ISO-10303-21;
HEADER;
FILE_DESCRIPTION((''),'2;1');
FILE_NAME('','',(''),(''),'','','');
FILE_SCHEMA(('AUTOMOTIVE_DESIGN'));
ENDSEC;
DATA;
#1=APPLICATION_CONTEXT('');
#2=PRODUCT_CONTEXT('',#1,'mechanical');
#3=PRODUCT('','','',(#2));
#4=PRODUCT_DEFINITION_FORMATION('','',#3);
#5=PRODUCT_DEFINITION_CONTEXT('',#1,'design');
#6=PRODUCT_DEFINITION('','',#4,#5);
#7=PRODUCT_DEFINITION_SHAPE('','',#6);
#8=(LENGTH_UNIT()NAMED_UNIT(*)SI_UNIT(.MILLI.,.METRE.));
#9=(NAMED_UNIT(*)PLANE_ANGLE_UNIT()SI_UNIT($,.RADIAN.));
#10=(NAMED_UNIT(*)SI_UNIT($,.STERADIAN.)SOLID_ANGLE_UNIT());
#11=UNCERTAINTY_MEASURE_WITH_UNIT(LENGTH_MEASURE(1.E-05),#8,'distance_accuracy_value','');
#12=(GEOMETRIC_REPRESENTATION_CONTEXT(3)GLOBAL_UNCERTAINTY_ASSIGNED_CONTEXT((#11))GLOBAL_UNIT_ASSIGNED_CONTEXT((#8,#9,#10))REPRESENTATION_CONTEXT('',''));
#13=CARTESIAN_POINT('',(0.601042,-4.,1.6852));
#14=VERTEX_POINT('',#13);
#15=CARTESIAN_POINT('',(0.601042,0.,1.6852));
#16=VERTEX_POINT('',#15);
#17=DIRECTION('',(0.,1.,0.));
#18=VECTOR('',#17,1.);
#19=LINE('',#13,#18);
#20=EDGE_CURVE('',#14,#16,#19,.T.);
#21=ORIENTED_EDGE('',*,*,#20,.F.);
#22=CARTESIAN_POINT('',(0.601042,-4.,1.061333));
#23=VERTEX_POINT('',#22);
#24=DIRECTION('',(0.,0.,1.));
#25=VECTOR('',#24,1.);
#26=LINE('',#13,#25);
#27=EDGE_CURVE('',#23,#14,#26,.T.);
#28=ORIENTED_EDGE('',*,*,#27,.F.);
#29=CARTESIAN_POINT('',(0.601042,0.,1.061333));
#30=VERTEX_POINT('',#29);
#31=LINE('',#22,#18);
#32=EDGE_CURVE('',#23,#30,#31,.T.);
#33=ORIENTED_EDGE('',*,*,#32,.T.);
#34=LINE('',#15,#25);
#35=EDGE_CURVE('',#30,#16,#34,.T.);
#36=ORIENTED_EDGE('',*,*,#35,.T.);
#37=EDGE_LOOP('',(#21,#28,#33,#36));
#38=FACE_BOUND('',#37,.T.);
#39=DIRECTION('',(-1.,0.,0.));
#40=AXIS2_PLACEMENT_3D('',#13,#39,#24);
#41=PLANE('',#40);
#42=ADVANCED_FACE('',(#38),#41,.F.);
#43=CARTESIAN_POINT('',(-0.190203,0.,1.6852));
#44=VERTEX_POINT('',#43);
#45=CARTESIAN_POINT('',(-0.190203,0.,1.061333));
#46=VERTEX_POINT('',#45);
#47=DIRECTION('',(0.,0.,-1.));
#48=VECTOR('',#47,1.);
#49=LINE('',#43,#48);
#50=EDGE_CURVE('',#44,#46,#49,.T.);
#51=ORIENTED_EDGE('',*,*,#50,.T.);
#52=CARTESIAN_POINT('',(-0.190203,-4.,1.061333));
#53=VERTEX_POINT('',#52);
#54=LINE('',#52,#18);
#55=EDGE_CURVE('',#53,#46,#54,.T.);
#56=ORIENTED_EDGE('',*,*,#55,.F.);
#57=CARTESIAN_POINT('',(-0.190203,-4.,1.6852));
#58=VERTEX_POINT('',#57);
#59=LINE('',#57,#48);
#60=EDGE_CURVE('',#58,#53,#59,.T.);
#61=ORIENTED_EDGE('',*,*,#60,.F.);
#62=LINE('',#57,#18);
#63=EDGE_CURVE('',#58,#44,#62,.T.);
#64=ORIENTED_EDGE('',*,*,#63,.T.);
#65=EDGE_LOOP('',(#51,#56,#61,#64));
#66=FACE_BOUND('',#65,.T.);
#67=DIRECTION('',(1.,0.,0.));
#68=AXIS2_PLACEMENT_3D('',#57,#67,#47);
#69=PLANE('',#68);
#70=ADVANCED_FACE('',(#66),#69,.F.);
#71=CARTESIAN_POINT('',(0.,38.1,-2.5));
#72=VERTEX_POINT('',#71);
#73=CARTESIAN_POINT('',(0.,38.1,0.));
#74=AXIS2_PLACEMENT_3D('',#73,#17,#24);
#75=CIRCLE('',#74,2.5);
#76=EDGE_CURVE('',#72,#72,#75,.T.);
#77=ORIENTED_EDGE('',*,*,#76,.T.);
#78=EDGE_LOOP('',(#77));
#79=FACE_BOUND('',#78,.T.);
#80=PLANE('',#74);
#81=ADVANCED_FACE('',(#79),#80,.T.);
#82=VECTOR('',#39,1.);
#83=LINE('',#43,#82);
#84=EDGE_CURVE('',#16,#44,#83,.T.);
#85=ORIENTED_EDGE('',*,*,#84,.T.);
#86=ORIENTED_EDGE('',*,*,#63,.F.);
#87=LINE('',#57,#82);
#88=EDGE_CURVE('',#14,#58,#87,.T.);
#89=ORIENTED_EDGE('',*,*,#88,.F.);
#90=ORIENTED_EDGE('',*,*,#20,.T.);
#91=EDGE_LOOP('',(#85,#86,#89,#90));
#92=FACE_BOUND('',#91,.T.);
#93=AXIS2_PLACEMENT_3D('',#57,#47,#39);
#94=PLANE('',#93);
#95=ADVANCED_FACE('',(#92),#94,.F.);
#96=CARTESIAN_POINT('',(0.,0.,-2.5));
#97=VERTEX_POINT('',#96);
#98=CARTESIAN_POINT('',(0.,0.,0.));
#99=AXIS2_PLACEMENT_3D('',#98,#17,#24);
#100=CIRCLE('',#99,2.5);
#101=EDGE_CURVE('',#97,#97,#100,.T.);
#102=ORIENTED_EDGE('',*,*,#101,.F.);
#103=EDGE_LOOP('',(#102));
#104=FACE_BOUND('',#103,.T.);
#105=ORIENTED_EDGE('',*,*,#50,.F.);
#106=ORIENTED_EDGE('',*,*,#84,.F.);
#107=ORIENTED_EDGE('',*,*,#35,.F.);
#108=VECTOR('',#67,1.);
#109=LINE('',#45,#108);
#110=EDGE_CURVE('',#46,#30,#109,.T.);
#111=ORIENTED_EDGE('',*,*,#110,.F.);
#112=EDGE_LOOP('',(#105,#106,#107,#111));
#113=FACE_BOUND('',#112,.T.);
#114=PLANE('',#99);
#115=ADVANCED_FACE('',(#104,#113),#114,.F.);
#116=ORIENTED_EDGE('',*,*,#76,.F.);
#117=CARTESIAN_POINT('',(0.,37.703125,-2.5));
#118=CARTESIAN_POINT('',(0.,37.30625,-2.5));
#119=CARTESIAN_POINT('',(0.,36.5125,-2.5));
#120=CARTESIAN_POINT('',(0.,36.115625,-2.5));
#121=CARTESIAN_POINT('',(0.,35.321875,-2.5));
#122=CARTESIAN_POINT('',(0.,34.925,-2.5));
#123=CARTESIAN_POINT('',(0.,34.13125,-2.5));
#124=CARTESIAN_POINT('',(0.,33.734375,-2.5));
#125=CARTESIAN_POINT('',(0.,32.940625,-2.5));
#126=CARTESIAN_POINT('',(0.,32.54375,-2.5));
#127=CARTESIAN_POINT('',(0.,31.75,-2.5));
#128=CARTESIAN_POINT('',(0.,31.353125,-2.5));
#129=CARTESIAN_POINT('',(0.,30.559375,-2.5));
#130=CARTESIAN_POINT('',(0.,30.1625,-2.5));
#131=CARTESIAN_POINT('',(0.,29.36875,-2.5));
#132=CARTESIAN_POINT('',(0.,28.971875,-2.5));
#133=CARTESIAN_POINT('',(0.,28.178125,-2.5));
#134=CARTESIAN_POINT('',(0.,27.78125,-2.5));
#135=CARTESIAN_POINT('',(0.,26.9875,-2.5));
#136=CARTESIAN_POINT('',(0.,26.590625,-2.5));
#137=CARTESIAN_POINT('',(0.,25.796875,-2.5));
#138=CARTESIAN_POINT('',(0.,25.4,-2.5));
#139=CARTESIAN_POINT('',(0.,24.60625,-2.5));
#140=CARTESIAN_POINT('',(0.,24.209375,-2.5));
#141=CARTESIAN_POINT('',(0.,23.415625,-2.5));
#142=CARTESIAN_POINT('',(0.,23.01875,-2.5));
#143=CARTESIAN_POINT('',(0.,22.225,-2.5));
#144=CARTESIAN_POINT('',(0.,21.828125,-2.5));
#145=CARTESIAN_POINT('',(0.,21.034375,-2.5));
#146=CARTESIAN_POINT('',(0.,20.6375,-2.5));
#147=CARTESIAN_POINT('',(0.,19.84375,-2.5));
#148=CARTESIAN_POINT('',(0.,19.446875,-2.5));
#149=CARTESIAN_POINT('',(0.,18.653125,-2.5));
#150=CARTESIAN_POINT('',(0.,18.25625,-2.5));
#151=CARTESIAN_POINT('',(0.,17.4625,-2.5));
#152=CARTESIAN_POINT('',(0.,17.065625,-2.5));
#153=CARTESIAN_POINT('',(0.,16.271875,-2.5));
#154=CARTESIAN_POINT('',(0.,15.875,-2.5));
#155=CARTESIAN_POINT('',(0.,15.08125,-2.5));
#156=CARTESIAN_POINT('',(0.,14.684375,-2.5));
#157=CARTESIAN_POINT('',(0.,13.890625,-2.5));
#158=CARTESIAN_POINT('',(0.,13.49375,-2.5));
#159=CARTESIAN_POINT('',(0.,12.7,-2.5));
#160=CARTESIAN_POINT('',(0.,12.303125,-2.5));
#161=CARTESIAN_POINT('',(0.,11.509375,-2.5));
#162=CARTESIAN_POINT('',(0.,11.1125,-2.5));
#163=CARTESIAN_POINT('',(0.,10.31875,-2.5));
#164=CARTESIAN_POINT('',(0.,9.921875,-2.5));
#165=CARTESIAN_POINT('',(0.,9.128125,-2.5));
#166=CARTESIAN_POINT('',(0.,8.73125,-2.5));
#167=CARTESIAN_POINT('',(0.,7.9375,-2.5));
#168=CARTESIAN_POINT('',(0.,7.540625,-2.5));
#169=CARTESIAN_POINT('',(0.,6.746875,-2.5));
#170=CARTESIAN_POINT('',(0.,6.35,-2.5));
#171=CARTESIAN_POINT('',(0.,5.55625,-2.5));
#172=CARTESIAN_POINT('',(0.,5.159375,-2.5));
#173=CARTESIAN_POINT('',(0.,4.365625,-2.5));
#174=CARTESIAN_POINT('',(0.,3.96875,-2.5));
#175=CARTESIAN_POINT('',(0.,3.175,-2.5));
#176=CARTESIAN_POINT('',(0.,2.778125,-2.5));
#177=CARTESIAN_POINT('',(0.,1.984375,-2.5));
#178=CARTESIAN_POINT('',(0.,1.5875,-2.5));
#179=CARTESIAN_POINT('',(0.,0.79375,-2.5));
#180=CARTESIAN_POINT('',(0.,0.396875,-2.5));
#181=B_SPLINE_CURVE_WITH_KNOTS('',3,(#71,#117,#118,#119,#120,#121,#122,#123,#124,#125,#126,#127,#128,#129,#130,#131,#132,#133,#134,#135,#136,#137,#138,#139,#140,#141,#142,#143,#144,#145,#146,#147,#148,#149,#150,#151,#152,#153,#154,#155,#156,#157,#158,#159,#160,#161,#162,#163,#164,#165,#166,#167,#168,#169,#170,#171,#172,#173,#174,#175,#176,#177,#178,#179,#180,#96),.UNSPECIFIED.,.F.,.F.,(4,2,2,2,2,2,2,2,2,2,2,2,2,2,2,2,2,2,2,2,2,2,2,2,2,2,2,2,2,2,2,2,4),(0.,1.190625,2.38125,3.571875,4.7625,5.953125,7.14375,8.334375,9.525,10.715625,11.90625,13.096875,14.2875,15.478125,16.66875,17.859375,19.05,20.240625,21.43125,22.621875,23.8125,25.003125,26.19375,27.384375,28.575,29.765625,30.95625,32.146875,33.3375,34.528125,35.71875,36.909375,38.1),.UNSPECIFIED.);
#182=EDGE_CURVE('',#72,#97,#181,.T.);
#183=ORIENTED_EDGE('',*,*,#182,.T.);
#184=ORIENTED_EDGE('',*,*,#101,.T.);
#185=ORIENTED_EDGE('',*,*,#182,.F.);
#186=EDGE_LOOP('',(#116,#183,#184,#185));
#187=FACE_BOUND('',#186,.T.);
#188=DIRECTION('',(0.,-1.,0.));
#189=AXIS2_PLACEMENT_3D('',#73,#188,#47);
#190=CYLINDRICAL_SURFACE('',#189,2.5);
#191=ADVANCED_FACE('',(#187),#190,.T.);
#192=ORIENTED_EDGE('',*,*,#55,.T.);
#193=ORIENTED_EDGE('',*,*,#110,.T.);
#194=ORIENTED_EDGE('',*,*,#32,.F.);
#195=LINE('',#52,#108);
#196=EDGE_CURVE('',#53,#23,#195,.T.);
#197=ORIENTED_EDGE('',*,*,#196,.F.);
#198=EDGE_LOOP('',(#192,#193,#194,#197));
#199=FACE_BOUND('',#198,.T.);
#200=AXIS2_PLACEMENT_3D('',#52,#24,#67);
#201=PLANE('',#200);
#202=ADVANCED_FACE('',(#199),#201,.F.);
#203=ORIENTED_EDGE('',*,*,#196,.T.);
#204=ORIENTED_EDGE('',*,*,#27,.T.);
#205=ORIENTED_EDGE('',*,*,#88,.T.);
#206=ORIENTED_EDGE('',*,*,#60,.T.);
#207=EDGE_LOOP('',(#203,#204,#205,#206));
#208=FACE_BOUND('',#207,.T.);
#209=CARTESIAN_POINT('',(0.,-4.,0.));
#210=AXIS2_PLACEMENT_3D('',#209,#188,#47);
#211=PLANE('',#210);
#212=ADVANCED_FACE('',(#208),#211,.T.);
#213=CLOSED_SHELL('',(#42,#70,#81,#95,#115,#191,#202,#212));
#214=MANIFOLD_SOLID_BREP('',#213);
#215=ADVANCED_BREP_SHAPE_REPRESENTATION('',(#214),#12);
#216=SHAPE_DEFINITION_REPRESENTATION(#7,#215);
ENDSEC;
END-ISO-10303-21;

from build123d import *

# Parameters (mm, degrees)
SKETCH2_R           = 2.5
BOSS_EXTRUDE1_DEPTH = 38.1
SKETCH4_W           = 0.791244951
SKETCH4_H           = 0.623866212
BOSS_EXTRUDE3_DEPTH = 4


with BuildPart() as part:
    # Sketch2 → Boss-Extrude1 (new body)
    with BuildSketch(Plane(origin=(0, 0, 0), x_dir=(1, 0, 0), z_dir=(0, 1, 0))):
        Circle(SKETCH2_R)
    extrude(amount=BOSS_EXTRUDE1_DEPTH)

    # Sketch4 → Boss-Extrude3 (add)
    with BuildSketch(Plane.XZ):
        with Locations((0.205419362, 1.373266477)):
            Rectangle(SKETCH4_W, SKETCH4_H)
    extrude(amount=BOSS_EXTRUDE3_DEPTH)


solid = part.part
